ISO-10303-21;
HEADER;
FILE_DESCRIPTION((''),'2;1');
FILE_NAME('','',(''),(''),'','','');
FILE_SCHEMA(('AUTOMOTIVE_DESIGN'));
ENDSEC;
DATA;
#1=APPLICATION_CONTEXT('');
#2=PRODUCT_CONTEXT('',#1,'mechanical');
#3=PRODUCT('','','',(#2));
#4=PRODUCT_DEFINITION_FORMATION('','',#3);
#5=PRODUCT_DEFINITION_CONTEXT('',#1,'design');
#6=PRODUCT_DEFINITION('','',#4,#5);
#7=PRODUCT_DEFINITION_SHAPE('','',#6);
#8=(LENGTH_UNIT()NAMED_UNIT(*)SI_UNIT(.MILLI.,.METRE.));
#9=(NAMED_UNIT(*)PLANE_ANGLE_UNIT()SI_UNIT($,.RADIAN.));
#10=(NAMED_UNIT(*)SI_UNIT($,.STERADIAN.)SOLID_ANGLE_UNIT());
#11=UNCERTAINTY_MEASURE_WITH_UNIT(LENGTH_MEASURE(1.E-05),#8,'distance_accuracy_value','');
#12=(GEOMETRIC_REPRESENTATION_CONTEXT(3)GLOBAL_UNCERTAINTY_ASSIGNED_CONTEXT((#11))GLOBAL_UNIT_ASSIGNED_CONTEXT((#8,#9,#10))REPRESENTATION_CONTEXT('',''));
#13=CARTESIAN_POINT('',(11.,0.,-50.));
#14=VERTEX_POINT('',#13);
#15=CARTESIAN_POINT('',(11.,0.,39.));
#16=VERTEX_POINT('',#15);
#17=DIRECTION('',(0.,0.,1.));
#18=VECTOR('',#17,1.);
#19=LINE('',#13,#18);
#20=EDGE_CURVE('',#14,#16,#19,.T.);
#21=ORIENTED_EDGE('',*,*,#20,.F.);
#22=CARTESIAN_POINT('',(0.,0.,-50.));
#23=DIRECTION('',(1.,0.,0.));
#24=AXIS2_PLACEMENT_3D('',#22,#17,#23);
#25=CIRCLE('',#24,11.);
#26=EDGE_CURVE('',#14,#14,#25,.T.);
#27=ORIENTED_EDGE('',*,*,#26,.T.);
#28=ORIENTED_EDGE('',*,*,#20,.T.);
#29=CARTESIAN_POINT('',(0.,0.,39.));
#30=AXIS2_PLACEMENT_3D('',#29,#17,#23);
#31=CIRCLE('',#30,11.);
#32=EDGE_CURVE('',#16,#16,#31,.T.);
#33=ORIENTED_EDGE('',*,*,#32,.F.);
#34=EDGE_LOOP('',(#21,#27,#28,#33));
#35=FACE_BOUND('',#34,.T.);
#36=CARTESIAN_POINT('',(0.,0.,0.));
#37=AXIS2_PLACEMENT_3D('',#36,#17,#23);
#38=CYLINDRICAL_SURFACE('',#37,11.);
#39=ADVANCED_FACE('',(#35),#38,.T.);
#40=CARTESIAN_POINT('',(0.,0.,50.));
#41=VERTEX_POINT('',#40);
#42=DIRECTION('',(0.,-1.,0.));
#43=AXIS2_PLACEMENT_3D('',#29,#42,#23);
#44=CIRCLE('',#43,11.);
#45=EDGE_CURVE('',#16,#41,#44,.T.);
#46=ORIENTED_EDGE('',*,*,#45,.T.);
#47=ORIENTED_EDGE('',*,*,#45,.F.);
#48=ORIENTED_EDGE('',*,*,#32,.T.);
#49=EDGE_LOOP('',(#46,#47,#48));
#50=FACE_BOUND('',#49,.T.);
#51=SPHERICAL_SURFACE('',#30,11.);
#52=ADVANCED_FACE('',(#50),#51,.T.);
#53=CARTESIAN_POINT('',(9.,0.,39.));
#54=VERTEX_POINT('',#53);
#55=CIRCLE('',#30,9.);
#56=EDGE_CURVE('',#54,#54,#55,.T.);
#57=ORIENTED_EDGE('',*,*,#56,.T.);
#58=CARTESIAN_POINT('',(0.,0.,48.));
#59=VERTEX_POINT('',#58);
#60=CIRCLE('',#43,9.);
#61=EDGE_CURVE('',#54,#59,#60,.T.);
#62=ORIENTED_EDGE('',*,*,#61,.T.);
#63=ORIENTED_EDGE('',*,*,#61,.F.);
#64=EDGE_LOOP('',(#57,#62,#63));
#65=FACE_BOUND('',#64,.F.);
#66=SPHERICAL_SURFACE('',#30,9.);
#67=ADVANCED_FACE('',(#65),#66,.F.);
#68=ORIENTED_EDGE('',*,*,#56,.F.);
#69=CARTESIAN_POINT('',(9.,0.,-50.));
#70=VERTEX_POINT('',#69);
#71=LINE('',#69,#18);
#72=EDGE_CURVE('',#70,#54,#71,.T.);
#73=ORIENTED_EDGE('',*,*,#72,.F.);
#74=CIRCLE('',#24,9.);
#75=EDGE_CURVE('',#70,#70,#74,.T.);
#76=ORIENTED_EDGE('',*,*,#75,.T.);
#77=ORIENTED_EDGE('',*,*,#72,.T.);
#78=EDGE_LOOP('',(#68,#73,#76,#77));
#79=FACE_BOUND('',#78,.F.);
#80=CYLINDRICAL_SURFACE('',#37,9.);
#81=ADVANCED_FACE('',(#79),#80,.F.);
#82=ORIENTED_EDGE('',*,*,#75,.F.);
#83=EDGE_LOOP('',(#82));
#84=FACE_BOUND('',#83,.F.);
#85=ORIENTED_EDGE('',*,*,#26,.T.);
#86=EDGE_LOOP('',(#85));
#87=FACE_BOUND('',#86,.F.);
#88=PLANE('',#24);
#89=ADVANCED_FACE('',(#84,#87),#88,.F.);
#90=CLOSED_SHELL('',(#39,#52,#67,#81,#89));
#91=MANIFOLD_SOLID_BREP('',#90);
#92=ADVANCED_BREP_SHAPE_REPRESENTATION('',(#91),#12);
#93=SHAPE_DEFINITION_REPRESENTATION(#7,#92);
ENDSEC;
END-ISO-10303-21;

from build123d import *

# Parameters (mm, degrees)
F0_R     = 11
F1_DEPTH = 50
F2_R     = 11
F3_T     = -2


with BuildPart() as f1:
    # F0 (on Top) → F1 (new body, symmetric)
    with BuildSketch(Plane.XY):
        Circle(F0_R)
    extrude(amount=F1_DEPTH, both=True)

    # F2
    f2_edges = [f1.edges().sort_by_distance(p)[0] for p in [
        (-11, 0, 50),
    ]]
    fillet(f2_edges, radius=F2_R)

    # F3
    f3_openings = [f1.faces().sort_by_distance(p)[0] for p in [
        (0, 0, -50),
    ]]
    offset(amount=F3_T, openings=f3_openings)


solid = f1.part
